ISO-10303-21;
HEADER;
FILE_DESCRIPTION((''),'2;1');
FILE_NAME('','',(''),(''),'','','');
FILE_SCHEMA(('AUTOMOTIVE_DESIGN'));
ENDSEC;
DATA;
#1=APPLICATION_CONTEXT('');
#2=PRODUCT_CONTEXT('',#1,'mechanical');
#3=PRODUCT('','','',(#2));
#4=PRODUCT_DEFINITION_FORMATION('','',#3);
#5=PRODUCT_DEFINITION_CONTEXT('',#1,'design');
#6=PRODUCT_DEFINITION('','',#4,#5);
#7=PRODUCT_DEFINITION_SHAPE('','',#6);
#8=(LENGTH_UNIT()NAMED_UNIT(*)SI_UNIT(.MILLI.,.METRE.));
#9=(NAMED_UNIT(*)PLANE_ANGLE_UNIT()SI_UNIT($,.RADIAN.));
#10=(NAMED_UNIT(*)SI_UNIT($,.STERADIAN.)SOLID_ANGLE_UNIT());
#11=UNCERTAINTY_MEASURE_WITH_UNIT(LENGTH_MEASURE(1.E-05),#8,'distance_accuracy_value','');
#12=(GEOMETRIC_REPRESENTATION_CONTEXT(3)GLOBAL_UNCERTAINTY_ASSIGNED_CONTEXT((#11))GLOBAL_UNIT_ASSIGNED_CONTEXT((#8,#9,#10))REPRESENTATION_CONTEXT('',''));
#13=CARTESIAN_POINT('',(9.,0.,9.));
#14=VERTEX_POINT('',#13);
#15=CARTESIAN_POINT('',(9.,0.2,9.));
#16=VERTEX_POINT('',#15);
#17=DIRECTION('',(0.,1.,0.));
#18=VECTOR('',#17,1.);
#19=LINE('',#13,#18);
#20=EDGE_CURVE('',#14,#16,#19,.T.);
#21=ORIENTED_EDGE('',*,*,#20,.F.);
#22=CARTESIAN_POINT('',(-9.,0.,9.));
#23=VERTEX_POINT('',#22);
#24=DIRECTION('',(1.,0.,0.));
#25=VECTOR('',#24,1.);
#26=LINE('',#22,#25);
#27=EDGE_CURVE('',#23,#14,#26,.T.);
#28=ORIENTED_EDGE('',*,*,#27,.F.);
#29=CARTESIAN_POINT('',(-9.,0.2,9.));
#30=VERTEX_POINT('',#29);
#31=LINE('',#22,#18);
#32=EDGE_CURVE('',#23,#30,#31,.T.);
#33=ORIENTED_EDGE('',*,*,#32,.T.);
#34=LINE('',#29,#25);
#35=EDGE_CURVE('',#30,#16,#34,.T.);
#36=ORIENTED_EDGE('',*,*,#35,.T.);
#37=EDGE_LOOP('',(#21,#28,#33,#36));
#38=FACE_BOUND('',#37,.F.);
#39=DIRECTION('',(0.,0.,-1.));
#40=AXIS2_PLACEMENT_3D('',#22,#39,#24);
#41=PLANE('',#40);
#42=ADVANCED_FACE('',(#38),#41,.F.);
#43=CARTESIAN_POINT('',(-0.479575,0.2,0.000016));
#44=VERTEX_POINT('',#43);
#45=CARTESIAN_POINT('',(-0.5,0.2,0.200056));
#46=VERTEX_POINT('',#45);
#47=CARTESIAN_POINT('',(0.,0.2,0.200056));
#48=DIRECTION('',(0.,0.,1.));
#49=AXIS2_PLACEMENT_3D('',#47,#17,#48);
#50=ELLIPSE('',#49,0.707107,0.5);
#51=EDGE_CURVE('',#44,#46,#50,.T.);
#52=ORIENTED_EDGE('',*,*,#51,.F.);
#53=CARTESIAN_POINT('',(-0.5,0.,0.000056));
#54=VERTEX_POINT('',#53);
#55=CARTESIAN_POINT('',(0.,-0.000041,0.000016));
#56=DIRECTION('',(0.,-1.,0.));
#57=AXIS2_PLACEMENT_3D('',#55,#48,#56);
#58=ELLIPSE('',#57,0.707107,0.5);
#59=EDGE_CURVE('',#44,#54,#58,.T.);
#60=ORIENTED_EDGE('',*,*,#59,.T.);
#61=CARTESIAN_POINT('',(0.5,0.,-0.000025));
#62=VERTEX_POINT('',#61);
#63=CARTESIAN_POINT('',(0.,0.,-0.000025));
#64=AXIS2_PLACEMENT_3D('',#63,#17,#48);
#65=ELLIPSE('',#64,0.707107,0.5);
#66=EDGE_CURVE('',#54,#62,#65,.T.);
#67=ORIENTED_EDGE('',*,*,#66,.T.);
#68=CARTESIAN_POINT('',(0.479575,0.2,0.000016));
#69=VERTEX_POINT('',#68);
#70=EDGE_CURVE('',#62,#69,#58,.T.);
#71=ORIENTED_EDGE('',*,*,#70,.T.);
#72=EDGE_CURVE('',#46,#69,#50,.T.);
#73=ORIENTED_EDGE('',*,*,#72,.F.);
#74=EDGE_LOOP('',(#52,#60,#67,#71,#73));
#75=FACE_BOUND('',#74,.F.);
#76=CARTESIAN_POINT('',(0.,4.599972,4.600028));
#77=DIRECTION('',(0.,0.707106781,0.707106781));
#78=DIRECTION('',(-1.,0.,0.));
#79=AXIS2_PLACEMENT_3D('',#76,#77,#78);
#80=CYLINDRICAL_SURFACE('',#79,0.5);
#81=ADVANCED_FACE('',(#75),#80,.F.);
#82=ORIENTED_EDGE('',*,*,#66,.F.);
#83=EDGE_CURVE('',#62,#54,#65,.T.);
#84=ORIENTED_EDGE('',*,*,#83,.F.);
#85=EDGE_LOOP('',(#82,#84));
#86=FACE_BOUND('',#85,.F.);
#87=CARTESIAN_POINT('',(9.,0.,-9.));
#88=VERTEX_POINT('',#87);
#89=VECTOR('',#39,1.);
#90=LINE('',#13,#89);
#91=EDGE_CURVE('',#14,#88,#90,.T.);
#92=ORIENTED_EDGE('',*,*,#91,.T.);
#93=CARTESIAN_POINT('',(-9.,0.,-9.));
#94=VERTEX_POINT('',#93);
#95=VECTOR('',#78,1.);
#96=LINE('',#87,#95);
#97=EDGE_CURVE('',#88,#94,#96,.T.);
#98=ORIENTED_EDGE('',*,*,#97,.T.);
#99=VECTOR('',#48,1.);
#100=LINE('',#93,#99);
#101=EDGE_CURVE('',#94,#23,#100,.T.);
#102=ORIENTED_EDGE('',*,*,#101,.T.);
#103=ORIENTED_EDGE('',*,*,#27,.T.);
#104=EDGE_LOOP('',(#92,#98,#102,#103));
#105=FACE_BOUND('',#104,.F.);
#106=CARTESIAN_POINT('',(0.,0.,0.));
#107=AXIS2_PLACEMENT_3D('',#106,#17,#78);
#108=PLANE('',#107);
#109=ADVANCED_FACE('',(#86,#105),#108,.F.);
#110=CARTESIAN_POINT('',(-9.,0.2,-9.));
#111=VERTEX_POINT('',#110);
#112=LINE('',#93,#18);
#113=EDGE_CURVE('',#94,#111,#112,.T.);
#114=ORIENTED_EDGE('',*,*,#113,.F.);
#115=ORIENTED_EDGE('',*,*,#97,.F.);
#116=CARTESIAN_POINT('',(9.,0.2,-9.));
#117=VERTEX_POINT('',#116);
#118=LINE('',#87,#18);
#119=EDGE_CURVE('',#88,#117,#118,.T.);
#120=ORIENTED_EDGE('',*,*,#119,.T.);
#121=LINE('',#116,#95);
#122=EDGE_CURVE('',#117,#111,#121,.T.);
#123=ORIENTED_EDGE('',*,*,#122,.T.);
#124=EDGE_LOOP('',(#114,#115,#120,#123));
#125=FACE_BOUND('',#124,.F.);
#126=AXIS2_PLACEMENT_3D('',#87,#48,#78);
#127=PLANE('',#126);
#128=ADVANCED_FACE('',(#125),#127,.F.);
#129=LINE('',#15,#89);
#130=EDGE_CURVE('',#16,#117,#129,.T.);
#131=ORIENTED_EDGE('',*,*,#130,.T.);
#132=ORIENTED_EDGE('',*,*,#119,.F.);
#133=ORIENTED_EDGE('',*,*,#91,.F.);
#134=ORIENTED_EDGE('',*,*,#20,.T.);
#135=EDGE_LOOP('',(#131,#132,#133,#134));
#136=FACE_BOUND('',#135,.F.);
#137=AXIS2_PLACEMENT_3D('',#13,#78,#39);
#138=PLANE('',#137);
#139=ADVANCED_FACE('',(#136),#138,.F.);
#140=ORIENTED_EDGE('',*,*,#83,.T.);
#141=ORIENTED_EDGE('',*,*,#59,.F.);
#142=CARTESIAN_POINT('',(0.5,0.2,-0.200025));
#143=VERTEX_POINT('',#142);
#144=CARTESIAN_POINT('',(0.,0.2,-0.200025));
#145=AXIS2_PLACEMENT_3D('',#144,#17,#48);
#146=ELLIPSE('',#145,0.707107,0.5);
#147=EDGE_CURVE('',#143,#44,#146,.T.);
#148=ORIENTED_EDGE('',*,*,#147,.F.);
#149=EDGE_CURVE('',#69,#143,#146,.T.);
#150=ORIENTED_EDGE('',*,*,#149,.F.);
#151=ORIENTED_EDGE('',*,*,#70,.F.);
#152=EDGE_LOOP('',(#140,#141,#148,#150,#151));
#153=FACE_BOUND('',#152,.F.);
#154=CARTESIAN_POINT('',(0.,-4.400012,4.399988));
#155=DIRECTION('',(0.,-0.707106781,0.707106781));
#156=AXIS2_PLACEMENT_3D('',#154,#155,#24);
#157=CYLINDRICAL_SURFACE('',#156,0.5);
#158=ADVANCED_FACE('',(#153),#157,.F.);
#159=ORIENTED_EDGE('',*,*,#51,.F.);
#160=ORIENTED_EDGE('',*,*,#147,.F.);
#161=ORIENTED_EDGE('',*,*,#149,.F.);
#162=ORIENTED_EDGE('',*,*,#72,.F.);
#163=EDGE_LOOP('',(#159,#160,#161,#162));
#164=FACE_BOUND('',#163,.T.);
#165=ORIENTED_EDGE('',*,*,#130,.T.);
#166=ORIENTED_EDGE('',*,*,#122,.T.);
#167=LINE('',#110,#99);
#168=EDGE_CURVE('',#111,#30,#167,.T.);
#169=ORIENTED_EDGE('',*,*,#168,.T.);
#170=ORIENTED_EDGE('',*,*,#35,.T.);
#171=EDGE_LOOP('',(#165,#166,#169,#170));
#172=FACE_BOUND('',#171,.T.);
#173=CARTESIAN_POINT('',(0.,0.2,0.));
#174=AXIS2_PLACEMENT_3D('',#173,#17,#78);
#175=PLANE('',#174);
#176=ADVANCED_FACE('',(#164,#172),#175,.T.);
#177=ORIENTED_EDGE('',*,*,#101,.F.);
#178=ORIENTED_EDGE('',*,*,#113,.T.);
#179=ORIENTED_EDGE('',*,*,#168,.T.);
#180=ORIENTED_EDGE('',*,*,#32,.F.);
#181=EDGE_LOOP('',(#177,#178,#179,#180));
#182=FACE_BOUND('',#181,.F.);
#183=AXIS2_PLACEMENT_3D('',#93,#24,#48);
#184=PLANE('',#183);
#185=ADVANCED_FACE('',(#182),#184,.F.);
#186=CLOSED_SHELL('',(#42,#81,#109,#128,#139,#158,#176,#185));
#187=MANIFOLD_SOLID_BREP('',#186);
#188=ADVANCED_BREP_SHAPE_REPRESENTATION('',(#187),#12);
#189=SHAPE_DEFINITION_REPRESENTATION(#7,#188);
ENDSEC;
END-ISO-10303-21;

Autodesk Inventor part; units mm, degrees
ref_plane "YZ Plane" through (0, 0, 0) normal (1, 0, 0) x (0, 1, 0)
ref_plane "XZ Plane" through (0, 0, 0) normal (0, 1, 0) x (-1, 0, 0)
ref_plane "XY Plane" through (0, 0, 0) normal (0, 0, 1) x (1, 0, 0)
sketch "Sketch1" plane through (0, 0, 0) normal (0, 1, 0) x (-1, 0, 0)
  line L0 (-9, -9) -> (9, -9)
  line L1 (9, -9) -> (9, 9)
  line L2 (9, 9) -> (-9, 9)
  line L3 (-9, 9) -> (-9, -9)
  line L4 (-9, -9) -> (9, 9) construction
  line L5 (9, -9) -> (-9, 9) construction
  point P0 (0, 0)
  dimension "d0" = 18
  dimension "d1" = 18
extrude "Extrusion1" add sketch "Sketch1" along normal blind 0.2
ref_plane "Work Plane1" through (-9, 0.2, 9) normal (0, -0.7071, 0.7071) x (1, 0, 0)
sketch "Sketch2" plane through (-9, 0.2, 9) normal (0, -0.7071, 0.7071) x (1, 0, 0)
  line L0 (18, -12.8693) -> (0, -12.8693) projected
  line L1 (18, -0.1414) -> (18, -12.8693) projected
  line L2 (0, -0.1414) -> (18, -0.1414) projected
  line L3 (0, -12.8693) -> (0, -0.1414) projected
  circle A0 centre (9, -6.5054) radius 0.5
  dimension "d4" = 1
extrude "Extrusion2" cut sketch "Sketch2" against normal through all contours A0
ref_plane "Work Plane2" through (-9, 0.2, 9) normal (0, 0.7071, 0.7071) x (-1, 0, 0)
sketch "Sketch3" plane through (-9, 0.2, 9) normal (0, 0.7071, 0.7071) x (-1, 0, 0)
  circle A0 centre (-9, -6.5054) radius 0.5 projected
  line L0 (-18, -12.7279) -> (0, -12.7279) projected
  line L1 (0, -12.7279) -> (0, 0) projected
  line L2 (0, 0) -> (-18, 0) projected
  line L3 (-18, 0) -> (-18, -12.7279) projected
  circle A1 centre (-9, -6.2225) radius 0.5
  dimension "d7" = 1
extrude "Extrusion3" cut sketch "Sketch3" against normal through all contours A1 A0 | A0 A1 picked at (-9.0194, -6.2456) picked at (-9.0263, -5.8205)
properties part number "00_coverslip"
